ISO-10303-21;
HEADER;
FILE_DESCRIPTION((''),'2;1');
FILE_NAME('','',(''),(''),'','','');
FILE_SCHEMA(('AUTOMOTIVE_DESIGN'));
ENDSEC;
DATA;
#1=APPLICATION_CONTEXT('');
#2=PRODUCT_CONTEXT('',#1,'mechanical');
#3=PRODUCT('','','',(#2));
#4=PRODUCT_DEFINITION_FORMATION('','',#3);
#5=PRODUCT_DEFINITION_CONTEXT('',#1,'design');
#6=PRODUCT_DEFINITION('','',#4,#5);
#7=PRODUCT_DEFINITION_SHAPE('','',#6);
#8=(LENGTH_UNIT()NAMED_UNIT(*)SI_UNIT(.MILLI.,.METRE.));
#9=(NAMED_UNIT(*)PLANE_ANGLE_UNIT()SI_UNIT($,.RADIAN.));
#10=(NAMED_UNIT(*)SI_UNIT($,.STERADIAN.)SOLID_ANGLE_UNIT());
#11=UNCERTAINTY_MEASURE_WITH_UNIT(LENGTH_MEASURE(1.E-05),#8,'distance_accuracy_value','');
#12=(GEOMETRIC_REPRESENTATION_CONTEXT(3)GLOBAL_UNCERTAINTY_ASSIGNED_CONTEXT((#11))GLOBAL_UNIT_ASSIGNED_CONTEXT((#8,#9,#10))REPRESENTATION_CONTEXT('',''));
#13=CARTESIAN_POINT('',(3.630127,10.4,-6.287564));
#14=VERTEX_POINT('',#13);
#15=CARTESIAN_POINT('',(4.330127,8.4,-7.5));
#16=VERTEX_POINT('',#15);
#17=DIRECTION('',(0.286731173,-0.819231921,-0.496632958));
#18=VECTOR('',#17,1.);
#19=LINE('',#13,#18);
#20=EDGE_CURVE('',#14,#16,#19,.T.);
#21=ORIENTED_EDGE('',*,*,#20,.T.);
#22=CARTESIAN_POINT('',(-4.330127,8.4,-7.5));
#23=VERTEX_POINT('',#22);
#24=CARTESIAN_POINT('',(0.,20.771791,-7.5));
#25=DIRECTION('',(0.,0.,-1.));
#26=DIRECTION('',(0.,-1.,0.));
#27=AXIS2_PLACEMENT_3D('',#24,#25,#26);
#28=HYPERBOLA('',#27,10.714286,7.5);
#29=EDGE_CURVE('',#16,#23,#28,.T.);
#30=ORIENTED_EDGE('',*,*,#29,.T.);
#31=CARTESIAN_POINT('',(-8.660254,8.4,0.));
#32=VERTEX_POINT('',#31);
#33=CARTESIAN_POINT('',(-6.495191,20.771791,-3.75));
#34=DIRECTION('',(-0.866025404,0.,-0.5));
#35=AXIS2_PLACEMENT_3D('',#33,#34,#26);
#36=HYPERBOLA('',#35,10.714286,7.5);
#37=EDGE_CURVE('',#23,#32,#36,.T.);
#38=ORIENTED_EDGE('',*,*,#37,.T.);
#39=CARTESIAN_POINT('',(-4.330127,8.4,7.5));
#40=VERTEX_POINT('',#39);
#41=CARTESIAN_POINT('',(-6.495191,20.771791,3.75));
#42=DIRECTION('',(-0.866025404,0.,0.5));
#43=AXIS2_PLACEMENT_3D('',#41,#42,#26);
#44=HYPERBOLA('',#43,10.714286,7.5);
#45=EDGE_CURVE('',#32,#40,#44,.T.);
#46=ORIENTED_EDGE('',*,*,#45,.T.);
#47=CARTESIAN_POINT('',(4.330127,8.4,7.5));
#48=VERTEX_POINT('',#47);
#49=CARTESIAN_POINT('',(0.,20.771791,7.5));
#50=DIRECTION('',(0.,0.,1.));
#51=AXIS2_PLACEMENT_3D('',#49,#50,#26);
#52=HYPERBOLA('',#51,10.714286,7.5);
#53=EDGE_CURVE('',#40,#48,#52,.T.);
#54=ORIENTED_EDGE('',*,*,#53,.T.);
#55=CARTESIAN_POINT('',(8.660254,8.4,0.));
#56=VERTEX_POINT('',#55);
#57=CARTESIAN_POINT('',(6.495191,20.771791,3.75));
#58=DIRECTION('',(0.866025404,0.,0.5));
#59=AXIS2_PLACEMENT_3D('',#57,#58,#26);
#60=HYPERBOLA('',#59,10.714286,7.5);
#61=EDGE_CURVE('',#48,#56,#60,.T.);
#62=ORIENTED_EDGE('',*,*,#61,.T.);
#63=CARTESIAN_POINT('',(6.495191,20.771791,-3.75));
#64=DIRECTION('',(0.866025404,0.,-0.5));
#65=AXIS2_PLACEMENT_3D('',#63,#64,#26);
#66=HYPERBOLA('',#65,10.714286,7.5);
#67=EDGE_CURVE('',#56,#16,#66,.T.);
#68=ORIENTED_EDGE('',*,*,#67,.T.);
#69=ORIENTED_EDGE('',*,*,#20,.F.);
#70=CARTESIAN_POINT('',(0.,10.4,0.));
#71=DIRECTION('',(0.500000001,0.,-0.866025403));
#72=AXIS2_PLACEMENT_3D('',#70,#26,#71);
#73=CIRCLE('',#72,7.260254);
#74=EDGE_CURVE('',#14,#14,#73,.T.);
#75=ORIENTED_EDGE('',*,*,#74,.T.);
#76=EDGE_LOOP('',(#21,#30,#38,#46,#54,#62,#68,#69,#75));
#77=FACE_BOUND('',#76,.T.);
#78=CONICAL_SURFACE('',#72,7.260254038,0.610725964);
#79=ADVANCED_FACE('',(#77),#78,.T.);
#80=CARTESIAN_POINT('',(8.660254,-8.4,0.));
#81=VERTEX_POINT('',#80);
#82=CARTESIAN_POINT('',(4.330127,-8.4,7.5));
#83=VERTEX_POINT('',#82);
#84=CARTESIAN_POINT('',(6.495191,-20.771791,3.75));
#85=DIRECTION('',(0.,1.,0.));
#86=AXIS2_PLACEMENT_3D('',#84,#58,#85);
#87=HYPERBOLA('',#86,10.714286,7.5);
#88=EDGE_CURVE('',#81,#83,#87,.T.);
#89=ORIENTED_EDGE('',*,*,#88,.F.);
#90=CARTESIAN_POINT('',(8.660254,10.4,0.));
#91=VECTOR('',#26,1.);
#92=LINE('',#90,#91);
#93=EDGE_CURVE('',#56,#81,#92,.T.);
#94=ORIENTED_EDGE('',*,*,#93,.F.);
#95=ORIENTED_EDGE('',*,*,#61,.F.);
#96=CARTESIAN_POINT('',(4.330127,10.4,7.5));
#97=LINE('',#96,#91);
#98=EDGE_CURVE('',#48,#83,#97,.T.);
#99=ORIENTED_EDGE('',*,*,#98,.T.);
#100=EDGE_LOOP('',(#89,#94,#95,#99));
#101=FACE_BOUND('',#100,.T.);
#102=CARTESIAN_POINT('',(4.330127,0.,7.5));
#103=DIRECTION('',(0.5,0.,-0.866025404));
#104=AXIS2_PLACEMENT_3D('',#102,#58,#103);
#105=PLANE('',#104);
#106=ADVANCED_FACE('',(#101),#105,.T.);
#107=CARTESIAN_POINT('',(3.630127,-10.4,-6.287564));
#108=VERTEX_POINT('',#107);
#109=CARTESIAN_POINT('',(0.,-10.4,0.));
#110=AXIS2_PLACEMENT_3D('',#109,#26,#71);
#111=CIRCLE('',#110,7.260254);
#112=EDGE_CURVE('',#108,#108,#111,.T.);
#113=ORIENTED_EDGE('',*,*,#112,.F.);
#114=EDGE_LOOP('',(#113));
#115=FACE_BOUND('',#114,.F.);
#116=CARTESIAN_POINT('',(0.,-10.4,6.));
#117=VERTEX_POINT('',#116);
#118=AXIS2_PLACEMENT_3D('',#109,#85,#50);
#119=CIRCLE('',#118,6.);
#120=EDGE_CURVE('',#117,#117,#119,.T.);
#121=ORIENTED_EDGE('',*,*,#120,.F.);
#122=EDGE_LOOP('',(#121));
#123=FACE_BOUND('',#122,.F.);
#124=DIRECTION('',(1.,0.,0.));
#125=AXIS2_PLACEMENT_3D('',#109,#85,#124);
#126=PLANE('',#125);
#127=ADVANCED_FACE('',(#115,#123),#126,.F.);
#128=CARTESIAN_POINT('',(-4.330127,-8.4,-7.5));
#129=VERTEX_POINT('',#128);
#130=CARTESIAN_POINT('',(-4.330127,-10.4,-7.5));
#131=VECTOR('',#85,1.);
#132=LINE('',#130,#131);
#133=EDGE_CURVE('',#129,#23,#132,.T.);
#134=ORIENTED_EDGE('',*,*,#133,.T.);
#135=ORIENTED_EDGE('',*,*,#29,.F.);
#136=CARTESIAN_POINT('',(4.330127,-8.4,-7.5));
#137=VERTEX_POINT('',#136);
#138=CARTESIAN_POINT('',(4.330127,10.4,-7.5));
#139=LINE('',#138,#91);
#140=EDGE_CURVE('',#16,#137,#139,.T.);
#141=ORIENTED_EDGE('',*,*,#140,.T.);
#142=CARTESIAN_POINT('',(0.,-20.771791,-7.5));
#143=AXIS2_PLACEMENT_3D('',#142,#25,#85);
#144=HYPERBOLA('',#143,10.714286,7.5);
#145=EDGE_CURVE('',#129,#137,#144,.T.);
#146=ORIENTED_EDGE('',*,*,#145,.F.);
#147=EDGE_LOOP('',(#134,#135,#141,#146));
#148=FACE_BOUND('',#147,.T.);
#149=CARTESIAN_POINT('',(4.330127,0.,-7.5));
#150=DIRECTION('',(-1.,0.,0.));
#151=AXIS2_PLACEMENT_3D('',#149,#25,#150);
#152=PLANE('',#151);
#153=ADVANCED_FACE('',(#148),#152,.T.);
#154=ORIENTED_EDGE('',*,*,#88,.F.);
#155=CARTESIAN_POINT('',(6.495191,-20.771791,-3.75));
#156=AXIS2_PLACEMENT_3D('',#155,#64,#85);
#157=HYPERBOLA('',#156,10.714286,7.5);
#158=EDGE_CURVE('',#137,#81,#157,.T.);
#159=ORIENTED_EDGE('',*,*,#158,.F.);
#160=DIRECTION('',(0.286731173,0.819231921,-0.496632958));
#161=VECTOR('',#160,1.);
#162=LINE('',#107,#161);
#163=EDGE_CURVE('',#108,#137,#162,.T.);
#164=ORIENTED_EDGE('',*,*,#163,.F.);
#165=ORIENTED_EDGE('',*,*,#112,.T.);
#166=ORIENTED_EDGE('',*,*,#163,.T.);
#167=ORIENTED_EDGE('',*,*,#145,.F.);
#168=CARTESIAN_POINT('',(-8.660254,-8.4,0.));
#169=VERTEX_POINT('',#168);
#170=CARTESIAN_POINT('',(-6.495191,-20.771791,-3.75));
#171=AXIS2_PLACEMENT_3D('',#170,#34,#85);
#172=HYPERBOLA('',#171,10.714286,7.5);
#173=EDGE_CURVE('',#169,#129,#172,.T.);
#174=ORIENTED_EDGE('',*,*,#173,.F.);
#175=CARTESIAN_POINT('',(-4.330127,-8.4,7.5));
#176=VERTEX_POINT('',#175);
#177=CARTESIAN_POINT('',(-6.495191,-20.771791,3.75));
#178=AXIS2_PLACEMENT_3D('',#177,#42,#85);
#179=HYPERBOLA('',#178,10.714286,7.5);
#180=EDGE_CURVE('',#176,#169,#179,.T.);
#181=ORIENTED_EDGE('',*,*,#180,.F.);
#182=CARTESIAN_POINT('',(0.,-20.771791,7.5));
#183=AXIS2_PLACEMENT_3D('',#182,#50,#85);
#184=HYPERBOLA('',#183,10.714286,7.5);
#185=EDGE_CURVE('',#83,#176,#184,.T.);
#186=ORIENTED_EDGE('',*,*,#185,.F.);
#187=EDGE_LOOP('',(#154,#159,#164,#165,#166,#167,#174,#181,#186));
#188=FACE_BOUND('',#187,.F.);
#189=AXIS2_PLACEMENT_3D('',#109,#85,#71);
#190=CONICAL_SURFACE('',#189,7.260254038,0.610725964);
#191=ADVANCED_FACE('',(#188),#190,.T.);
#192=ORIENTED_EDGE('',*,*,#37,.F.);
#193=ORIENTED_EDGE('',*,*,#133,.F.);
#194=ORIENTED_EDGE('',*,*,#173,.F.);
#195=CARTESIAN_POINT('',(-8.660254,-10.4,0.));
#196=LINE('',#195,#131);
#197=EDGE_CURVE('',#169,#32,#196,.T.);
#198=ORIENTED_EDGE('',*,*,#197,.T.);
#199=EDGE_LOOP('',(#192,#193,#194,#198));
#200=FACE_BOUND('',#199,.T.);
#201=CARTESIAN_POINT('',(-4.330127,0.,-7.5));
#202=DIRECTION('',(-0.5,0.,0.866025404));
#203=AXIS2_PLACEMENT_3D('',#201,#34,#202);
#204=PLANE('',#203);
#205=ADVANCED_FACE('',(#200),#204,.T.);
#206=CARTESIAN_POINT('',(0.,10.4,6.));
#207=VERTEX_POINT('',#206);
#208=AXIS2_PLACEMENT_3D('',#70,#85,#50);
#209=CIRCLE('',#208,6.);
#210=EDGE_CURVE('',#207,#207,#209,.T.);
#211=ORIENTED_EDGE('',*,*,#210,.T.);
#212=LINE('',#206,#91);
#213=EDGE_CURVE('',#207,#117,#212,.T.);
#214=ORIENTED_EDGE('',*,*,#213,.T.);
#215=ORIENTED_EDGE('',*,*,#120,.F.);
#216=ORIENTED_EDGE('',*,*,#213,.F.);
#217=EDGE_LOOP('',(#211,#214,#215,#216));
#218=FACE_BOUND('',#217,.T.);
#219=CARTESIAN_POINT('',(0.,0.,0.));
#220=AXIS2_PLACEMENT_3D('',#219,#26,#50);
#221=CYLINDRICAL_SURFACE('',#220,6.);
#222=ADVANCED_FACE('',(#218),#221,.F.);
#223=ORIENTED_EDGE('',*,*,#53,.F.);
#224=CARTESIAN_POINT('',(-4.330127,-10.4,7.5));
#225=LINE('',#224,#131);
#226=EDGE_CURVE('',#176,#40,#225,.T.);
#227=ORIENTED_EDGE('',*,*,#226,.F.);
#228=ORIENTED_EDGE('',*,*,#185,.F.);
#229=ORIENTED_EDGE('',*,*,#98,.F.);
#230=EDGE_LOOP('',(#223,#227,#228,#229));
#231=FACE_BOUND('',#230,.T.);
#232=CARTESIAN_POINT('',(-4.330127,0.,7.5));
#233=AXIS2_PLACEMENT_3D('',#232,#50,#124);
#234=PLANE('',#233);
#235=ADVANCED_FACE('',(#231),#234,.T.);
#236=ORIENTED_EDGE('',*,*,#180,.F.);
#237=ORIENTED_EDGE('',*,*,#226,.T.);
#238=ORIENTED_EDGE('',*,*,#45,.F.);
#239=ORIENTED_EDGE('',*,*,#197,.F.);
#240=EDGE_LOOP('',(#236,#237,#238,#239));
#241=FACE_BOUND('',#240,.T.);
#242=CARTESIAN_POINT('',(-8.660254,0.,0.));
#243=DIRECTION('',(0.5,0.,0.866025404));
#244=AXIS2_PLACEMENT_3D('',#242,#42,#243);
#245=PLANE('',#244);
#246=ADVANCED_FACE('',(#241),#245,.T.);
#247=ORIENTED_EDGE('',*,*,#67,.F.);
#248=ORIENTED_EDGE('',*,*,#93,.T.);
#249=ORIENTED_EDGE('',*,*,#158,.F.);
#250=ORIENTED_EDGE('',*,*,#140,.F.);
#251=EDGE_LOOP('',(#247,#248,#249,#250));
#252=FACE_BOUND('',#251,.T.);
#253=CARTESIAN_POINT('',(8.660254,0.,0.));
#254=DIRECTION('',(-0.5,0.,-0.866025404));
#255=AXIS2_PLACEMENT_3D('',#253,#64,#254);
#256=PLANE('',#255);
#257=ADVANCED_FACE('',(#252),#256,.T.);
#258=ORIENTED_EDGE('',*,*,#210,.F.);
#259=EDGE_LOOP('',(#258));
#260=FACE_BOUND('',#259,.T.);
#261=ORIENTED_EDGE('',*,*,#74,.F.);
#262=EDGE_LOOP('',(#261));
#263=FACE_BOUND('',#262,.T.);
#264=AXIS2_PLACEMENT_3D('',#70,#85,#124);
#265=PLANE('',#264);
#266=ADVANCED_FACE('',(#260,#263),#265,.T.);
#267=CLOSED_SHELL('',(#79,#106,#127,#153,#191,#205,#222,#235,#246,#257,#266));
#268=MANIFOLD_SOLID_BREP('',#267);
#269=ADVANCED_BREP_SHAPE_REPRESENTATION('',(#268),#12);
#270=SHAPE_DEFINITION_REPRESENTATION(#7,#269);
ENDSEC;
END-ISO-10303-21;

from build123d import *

# Parameters (mm, degrees)
SKETCH_1_R      = 6
EXTRUDE_1_DEPTH = 10.4


with BuildPart() as part:
    # 草图1 → 凸台-拉伸1 (new, symmetric)
    with BuildSketch(Plane(origin=(0, 0, 0), x_dir=(1, 0, 0), z_dir=(0, 1, 0))):
        Polygon((4.330127019, 7.5), (-4.330127019, 7.5), (-8.660254038, 0), (-4.330127019, -7.5), (4.330127019, -7.5), (8.660254038, 0), align=None)
        with Locations(Location((0, 0, 0), (0, 0, 270))):
            Circle(SKETCH_1_R, mode=Mode.SUBTRACT)
    extrude(amount=EXTRUDE_1_DEPTH, both=True)

    # 草图3 → 切除-旋转1 (revolve, cut)
    with BuildSketch(Plane.XY, mode=Mode.PRIVATE) as cut_revolve_1_sk:
        Polygon((7.260254038, 10.4), (8.660254038, 8.4), (8.660254038, 10.4), align=None)
        Polygon((8.660254038, -10.4), (7.260254038, -10.4), (8.660254038, -8.4), align=None)
    revolve(cut_revolve_1_sk.sketch.rotate(Axis((0, 21.443940686, 0), (0, -1, 0)), 300.000000037), axis=Axis((0, 21.443940686, 0), (0, -1, 0)), mode=Mode.SUBTRACT)


solid = part.part
